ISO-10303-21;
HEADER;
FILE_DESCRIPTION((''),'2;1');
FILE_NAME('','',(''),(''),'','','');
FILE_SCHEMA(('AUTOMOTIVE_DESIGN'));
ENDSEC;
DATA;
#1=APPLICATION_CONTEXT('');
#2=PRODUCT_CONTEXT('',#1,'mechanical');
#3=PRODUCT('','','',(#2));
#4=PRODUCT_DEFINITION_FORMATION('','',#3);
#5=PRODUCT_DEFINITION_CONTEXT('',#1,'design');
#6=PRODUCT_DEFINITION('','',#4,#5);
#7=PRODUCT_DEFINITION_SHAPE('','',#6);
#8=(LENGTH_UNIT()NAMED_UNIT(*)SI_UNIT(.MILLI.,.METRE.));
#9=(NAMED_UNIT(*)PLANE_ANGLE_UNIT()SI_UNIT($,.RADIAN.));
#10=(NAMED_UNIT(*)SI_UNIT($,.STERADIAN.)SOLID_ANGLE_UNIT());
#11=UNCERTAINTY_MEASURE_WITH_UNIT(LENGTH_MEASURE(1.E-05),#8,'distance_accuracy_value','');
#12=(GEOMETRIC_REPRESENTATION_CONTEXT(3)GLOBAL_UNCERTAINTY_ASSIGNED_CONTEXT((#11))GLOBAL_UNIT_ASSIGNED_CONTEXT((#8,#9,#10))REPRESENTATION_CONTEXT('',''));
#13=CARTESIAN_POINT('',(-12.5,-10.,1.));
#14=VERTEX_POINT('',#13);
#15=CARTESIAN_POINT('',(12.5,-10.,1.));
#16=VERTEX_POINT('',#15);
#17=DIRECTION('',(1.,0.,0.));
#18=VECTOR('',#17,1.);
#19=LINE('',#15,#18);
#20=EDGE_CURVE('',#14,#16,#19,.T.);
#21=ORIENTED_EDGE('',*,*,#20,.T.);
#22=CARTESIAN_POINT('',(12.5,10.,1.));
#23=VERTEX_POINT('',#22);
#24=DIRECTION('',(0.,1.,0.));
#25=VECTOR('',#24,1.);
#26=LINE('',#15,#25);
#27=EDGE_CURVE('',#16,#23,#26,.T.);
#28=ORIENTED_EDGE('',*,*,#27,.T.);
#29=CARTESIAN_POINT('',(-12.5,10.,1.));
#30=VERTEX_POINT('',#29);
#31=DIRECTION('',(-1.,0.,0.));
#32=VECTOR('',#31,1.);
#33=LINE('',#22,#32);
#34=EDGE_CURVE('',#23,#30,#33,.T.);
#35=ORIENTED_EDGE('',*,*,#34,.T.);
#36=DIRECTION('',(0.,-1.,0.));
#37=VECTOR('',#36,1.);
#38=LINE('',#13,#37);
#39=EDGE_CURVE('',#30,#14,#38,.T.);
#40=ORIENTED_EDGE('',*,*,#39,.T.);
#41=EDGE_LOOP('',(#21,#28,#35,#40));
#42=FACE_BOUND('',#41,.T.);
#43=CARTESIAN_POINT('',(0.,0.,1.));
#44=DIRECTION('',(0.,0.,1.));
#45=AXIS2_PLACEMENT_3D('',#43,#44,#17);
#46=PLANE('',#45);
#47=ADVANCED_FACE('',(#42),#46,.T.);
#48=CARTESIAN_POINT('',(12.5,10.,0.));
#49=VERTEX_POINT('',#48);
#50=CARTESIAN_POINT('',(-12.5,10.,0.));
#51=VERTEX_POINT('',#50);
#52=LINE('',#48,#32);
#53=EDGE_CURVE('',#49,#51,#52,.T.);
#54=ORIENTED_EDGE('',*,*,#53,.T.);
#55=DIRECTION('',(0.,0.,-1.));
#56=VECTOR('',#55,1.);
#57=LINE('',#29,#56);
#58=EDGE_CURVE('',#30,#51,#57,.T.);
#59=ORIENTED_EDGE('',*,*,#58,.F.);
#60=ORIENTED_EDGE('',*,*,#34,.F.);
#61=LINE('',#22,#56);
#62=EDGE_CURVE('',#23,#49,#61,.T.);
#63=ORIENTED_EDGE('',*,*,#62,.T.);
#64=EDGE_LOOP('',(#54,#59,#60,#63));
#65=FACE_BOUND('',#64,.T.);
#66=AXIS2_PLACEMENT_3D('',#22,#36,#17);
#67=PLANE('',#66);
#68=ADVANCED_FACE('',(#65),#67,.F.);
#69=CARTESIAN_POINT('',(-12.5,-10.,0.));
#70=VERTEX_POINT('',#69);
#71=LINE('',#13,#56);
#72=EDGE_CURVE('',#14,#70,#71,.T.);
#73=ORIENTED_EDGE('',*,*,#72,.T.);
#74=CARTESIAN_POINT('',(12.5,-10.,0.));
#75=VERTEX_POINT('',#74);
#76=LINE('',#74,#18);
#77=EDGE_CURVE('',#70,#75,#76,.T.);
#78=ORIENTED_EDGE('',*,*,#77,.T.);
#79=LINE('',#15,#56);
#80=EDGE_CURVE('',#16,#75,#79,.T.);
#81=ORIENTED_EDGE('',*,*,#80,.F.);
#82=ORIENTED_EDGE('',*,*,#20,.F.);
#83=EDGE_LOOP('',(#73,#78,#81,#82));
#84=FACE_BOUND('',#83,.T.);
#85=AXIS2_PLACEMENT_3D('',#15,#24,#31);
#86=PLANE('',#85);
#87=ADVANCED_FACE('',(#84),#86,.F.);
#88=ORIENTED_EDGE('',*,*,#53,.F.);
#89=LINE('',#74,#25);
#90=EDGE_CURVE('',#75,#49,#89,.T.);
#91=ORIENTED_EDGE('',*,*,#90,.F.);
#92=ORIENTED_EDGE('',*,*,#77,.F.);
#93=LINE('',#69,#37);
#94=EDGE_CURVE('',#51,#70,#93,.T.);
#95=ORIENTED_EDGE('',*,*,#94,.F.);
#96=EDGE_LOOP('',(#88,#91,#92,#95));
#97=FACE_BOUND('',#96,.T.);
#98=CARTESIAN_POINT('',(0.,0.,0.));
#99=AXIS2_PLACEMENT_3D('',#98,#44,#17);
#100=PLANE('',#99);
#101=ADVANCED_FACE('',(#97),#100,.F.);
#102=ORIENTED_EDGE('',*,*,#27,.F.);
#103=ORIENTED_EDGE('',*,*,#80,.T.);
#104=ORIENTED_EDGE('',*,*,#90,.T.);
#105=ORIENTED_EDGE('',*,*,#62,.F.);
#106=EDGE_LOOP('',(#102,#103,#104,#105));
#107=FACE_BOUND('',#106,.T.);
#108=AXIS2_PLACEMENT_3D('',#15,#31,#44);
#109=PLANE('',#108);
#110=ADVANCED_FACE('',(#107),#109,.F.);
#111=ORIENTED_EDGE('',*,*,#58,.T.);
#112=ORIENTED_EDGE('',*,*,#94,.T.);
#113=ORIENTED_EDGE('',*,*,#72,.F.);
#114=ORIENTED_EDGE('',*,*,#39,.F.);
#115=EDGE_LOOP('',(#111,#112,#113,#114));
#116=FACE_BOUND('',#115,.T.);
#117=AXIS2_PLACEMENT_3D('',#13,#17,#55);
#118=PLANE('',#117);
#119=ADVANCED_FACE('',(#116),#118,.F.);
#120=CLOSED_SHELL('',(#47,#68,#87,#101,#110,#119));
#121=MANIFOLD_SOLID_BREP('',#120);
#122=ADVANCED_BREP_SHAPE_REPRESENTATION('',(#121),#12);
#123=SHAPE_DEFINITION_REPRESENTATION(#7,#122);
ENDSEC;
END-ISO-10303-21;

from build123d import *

# Parameters (mm, degrees)
SKIZZE1_W                       = 25
SKIZZE1_H                       = 20
AUFSATZ_LINEAR_AUSTRAGEN1_DEPTH = 1


with BuildPart() as part:
    # Skizze1 → Aufsatz-Linear austragen1 (new body)
    with BuildSketch(Plane.XY):
        Rectangle(SKIZZE1_W, SKIZZE1_H)
    extrude(amount=AUFSATZ_LINEAR_AUSTRAGEN1_DEPTH)


solid = part.part
